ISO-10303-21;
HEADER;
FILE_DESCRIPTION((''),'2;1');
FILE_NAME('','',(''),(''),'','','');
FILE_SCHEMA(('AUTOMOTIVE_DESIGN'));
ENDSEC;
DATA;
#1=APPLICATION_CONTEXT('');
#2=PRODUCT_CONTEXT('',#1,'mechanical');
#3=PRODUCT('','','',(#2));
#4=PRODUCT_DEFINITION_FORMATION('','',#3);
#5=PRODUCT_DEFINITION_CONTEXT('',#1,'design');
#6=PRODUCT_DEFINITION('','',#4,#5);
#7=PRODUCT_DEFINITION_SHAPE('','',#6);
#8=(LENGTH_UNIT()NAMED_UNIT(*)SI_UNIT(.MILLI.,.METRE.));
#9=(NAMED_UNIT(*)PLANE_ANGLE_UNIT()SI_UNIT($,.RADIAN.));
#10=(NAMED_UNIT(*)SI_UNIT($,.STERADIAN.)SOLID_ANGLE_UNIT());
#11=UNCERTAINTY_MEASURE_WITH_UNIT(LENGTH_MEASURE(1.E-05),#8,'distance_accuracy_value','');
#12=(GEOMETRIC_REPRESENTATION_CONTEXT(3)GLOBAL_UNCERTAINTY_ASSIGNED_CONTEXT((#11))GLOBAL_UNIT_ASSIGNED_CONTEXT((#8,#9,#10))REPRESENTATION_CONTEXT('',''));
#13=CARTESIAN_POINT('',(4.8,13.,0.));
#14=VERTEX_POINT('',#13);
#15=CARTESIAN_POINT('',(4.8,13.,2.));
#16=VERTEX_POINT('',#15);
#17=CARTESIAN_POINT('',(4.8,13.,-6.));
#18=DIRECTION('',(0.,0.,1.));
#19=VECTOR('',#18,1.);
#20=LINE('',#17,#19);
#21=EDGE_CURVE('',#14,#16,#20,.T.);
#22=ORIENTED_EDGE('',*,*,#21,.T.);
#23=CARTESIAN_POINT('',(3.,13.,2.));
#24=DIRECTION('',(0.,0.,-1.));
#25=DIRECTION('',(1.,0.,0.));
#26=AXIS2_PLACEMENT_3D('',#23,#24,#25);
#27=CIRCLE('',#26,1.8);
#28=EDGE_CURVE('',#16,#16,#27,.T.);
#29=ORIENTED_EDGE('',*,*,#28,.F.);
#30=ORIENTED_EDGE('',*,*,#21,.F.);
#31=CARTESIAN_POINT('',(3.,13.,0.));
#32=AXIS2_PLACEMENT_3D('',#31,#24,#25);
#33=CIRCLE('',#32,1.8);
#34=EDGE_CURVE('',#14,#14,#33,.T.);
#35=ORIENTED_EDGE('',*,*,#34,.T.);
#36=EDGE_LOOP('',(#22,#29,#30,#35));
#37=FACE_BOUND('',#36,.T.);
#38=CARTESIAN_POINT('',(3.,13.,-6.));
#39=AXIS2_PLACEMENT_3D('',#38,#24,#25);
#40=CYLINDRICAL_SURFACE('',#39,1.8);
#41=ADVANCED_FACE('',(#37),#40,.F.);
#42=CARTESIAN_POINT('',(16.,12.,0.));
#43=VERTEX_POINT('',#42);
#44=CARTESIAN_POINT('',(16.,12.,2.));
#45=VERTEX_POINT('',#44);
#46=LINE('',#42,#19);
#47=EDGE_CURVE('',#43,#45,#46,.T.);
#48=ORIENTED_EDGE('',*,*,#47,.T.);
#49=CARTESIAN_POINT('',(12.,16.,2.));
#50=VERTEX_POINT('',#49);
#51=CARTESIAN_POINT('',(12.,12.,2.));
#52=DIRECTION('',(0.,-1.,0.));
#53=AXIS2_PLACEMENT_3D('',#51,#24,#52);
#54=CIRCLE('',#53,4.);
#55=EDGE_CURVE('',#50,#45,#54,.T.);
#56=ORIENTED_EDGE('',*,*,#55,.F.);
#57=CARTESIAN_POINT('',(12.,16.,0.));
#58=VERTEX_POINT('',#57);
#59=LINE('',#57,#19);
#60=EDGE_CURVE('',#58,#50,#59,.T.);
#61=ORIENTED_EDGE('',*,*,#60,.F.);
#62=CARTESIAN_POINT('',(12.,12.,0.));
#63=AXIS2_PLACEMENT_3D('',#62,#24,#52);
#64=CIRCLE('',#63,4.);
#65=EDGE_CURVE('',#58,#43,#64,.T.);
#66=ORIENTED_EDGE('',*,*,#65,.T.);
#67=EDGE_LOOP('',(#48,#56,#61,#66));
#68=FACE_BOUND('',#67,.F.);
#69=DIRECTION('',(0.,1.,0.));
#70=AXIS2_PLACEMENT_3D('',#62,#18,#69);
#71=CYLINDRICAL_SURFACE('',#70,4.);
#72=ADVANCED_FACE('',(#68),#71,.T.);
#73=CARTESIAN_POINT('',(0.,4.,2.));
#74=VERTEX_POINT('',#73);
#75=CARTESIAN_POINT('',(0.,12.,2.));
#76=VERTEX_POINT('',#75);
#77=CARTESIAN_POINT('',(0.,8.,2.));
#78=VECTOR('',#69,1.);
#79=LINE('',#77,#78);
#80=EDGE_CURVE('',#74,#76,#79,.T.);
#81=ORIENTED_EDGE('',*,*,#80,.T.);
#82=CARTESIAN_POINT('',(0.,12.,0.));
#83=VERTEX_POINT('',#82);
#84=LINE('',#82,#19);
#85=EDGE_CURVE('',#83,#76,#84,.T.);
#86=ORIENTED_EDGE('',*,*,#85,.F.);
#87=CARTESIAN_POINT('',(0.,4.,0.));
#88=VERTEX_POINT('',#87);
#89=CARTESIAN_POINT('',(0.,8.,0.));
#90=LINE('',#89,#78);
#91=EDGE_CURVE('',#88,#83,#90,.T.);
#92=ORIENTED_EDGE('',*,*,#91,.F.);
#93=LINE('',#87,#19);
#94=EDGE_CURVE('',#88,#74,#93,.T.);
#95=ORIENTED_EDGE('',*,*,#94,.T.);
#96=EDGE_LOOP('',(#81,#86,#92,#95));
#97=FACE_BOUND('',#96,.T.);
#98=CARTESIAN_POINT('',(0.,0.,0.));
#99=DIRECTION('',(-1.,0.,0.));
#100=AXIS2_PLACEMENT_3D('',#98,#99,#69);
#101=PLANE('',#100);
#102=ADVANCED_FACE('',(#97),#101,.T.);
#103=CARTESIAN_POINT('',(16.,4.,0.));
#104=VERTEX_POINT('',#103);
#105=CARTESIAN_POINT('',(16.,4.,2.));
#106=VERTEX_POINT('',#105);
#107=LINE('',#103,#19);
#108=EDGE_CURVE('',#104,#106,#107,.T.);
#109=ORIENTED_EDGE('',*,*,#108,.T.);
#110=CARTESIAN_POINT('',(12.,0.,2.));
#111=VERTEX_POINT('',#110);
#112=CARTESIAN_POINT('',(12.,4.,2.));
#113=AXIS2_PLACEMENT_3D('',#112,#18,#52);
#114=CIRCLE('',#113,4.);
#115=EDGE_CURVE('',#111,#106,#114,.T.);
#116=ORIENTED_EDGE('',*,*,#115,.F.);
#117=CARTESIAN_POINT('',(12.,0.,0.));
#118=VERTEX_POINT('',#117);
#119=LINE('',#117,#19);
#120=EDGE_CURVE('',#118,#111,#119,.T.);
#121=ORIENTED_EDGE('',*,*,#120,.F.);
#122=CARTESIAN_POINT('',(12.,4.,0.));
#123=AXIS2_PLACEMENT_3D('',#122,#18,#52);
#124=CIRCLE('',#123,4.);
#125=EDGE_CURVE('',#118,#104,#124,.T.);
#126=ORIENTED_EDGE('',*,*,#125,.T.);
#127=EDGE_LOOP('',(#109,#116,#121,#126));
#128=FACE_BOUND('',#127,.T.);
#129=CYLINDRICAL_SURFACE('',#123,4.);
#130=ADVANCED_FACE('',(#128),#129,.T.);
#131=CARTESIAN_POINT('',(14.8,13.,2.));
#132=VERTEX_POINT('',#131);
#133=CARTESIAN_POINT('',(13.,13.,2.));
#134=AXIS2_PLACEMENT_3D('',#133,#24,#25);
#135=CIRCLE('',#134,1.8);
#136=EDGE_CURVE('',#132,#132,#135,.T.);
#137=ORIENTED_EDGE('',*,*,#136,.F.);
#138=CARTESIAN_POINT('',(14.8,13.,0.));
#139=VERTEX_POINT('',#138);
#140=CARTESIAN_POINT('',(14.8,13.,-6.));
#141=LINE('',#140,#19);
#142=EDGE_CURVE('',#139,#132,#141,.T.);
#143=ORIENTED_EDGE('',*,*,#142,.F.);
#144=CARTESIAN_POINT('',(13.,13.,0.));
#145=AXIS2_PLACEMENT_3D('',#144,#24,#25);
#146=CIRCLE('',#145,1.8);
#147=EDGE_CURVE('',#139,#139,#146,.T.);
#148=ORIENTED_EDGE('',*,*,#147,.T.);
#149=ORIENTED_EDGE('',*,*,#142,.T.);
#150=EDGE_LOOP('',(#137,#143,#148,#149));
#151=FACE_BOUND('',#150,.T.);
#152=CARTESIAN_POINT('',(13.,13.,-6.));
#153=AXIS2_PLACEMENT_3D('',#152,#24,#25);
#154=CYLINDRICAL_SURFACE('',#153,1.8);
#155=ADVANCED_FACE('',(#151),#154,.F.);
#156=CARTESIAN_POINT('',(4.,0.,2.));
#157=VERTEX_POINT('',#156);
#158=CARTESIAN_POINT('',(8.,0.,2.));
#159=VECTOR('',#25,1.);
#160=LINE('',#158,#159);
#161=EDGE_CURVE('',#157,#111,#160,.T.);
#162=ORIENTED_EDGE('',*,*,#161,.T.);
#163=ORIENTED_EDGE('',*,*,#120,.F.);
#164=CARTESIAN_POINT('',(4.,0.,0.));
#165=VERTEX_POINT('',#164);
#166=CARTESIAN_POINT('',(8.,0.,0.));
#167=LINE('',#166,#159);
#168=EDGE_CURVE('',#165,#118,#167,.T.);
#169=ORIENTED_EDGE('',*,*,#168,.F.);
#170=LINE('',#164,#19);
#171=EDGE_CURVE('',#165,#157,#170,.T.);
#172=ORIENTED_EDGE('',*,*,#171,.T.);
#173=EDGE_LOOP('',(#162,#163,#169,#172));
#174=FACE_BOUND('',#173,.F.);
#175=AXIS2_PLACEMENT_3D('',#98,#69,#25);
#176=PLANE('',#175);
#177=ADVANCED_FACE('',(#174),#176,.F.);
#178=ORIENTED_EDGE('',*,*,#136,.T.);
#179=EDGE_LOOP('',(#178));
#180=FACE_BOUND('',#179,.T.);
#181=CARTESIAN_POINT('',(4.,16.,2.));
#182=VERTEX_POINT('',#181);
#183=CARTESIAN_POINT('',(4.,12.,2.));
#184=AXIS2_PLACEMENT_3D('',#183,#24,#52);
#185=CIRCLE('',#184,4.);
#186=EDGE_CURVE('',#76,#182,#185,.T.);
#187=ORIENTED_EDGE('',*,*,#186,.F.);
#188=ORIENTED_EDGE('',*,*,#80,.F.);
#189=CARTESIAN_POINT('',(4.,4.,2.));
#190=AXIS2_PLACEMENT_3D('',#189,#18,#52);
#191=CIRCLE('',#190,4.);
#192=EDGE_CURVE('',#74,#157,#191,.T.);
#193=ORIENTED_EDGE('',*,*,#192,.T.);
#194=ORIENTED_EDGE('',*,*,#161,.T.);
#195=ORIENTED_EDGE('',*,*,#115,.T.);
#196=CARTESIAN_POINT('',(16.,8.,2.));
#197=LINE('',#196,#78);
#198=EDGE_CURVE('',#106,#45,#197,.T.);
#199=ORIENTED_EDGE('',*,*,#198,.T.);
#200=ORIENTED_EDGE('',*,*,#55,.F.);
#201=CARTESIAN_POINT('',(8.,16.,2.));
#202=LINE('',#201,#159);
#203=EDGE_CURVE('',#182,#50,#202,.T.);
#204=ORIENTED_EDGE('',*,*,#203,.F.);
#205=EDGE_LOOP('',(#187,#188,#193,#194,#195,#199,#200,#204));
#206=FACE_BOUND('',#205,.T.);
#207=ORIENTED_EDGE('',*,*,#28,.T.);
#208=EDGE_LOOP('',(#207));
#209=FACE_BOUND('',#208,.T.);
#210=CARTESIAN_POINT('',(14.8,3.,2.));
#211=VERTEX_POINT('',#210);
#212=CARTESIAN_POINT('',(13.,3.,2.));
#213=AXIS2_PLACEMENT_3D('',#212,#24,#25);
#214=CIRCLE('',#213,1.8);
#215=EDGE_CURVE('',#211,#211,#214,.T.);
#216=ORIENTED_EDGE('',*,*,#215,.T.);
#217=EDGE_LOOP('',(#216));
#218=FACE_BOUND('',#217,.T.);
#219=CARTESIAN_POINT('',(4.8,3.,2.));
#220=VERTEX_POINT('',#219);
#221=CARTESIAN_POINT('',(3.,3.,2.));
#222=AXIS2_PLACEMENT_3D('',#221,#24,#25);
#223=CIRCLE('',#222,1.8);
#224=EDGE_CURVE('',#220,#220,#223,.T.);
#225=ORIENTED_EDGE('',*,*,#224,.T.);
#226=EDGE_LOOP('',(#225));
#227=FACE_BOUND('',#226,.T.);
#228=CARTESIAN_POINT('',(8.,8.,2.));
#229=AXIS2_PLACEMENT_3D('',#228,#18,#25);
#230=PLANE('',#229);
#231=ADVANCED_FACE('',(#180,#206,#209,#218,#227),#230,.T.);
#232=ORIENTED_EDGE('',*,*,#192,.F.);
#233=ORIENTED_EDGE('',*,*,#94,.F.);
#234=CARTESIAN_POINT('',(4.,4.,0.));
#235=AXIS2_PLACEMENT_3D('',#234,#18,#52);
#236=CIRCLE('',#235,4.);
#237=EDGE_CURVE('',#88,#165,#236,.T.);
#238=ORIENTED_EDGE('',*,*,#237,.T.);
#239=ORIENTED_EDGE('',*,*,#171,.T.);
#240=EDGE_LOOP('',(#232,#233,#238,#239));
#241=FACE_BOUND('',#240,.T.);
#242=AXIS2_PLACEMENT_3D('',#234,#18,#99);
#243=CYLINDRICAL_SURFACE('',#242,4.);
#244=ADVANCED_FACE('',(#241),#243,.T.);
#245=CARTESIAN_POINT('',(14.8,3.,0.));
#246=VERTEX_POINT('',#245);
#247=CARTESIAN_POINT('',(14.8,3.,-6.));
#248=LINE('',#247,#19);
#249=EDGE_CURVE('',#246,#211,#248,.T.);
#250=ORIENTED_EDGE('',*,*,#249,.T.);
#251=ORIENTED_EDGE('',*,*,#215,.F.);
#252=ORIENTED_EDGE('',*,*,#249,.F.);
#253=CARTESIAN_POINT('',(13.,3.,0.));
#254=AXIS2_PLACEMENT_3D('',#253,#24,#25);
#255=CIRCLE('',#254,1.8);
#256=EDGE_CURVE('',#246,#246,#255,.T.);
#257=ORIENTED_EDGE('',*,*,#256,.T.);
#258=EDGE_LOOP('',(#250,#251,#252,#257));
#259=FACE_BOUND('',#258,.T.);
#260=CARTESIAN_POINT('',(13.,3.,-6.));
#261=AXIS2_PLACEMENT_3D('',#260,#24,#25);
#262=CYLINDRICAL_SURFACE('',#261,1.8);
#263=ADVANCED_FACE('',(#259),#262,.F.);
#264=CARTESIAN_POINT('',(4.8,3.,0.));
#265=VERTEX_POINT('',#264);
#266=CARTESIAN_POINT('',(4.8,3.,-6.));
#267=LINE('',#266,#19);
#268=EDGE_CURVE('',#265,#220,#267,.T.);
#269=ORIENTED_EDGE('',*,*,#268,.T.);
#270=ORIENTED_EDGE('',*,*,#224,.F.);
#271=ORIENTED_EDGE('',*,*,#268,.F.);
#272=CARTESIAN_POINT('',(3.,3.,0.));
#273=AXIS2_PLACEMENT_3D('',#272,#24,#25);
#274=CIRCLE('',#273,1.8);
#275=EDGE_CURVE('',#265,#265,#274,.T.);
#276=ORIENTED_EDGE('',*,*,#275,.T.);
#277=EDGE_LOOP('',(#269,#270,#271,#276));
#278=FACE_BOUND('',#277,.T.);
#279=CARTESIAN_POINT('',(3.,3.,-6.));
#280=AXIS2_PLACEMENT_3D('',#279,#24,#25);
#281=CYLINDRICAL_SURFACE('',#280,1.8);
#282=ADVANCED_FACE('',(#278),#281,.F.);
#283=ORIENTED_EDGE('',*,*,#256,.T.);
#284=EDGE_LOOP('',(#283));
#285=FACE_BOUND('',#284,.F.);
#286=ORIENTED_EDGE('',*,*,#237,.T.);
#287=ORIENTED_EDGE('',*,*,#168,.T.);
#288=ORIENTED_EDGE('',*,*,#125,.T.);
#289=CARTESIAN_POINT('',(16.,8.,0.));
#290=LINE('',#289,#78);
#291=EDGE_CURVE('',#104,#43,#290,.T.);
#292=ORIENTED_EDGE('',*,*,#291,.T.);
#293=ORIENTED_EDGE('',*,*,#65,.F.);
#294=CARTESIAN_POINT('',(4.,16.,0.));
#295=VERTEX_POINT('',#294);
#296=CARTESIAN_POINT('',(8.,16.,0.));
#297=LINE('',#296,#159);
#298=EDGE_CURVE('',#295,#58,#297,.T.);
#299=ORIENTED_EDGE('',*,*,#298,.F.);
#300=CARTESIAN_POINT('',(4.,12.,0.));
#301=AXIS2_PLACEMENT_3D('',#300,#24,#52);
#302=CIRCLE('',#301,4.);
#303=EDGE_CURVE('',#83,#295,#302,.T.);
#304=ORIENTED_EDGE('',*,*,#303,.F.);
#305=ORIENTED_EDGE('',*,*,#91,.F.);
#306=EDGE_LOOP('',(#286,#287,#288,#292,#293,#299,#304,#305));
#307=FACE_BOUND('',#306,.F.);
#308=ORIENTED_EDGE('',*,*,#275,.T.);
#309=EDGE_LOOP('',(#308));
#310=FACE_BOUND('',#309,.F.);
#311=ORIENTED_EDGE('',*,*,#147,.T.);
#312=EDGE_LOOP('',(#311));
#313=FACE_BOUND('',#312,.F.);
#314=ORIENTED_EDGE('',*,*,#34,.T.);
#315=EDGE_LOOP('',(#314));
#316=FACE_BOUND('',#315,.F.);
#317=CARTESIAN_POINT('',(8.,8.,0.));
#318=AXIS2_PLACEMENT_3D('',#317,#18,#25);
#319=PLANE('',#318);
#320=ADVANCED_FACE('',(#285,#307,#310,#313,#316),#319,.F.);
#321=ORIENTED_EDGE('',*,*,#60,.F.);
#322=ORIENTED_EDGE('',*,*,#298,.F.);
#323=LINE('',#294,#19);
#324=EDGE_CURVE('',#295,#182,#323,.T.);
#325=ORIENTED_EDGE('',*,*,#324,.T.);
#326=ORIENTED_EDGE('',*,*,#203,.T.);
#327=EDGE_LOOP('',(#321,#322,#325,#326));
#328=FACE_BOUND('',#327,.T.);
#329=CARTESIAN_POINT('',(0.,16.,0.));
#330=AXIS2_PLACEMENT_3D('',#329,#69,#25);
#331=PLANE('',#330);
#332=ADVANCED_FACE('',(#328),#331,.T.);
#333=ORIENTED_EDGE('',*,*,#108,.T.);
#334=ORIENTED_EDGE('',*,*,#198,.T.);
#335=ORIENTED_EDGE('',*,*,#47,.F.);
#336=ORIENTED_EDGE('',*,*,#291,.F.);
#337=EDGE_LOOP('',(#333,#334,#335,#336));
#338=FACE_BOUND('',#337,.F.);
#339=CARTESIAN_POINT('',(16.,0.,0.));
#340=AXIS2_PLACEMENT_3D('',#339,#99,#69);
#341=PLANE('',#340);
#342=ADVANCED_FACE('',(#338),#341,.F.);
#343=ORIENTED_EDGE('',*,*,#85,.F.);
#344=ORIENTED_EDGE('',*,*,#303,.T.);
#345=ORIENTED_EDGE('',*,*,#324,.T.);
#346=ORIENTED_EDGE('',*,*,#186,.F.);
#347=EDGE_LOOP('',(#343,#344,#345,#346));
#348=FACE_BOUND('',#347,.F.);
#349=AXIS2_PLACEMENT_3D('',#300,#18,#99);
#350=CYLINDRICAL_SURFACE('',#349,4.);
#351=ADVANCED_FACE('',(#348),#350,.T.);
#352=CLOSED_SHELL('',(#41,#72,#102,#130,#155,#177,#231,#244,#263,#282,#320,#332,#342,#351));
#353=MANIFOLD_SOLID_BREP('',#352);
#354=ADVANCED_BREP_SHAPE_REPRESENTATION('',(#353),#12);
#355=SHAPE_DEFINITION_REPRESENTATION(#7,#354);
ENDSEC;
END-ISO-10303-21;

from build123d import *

# Parameters (mm, degrees)
CYLINDER059_R       = 1.8
CYLINDER059_DEPTH   = 20
ARRAY001007_X_COUNT = 2
ARRAY001007_X_PITCH = 10
ARRAY001007_Y_COUNT = 2
ARRAY001007_Y_PITCH = 10
BOX008_W            = 16
BOX008_H            = 16
BOX008_DEPTH        = 2
FILLET014_R         = 4


with BuildPart() as rod_holder_hole_array001:
    # Cylinder059 → Cylinder059 (new body)
    with BuildSketch(Plane(origin=(3, 3, -6), x_dir=(1, 0, 0), z_dir=(0, 0, 1))):
        Circle(CYLINDER059_R)
    extrude(amount=CYLINDER059_DEPTH)

    # Array001007 X: rod holder hole array001 ×2


with BuildPart() as rod_holder_hole_array001_1:
    add(rod_holder_hole_array001.part)
    with Locations(*[(i * ARRAY001007_X_PITCH, 0, 0) for i in range(1, ARRAY001007_X_COUNT)]):
        add(rod_holder_hole_array001.part)

    # Array001007 Y: rod holder hole array001 ×2


with BuildPart() as rod_holder_hole_array001_2:
    add(rod_holder_hole_array001_1.part)
    with Locations(*[(0, i * ARRAY001007_Y_PITCH, 0) for i in range(1, ARRAY001007_Y_COUNT)]):
        add(rod_holder_hole_array001_1.part)


with BuildPart() as rod_cover_fillet:
    # Box008 → Box008 (new body)
    with BuildSketch(Plane.XY):
        with Locations((8, 8)):
            Rectangle(BOX008_W, BOX008_H)
    extrude(amount=BOX008_DEPTH)

    # Cut023005: cut rod holder hole array001
    add(rod_holder_hole_array001_2.part, mode=Mode.SUBTRACT)

    # Fillet014
    fillet014_edges = [rod_cover_fillet.edges().sort_by_distance(p)[0] for p in [
        (0, 0, 1),
        (0, 16, 1),
        (16, 0, 1),
        (16, 16, 1),
    ]]
    fillet(fillet014_edges, radius=FILLET014_R)


solid = rod_cover_fillet.part
